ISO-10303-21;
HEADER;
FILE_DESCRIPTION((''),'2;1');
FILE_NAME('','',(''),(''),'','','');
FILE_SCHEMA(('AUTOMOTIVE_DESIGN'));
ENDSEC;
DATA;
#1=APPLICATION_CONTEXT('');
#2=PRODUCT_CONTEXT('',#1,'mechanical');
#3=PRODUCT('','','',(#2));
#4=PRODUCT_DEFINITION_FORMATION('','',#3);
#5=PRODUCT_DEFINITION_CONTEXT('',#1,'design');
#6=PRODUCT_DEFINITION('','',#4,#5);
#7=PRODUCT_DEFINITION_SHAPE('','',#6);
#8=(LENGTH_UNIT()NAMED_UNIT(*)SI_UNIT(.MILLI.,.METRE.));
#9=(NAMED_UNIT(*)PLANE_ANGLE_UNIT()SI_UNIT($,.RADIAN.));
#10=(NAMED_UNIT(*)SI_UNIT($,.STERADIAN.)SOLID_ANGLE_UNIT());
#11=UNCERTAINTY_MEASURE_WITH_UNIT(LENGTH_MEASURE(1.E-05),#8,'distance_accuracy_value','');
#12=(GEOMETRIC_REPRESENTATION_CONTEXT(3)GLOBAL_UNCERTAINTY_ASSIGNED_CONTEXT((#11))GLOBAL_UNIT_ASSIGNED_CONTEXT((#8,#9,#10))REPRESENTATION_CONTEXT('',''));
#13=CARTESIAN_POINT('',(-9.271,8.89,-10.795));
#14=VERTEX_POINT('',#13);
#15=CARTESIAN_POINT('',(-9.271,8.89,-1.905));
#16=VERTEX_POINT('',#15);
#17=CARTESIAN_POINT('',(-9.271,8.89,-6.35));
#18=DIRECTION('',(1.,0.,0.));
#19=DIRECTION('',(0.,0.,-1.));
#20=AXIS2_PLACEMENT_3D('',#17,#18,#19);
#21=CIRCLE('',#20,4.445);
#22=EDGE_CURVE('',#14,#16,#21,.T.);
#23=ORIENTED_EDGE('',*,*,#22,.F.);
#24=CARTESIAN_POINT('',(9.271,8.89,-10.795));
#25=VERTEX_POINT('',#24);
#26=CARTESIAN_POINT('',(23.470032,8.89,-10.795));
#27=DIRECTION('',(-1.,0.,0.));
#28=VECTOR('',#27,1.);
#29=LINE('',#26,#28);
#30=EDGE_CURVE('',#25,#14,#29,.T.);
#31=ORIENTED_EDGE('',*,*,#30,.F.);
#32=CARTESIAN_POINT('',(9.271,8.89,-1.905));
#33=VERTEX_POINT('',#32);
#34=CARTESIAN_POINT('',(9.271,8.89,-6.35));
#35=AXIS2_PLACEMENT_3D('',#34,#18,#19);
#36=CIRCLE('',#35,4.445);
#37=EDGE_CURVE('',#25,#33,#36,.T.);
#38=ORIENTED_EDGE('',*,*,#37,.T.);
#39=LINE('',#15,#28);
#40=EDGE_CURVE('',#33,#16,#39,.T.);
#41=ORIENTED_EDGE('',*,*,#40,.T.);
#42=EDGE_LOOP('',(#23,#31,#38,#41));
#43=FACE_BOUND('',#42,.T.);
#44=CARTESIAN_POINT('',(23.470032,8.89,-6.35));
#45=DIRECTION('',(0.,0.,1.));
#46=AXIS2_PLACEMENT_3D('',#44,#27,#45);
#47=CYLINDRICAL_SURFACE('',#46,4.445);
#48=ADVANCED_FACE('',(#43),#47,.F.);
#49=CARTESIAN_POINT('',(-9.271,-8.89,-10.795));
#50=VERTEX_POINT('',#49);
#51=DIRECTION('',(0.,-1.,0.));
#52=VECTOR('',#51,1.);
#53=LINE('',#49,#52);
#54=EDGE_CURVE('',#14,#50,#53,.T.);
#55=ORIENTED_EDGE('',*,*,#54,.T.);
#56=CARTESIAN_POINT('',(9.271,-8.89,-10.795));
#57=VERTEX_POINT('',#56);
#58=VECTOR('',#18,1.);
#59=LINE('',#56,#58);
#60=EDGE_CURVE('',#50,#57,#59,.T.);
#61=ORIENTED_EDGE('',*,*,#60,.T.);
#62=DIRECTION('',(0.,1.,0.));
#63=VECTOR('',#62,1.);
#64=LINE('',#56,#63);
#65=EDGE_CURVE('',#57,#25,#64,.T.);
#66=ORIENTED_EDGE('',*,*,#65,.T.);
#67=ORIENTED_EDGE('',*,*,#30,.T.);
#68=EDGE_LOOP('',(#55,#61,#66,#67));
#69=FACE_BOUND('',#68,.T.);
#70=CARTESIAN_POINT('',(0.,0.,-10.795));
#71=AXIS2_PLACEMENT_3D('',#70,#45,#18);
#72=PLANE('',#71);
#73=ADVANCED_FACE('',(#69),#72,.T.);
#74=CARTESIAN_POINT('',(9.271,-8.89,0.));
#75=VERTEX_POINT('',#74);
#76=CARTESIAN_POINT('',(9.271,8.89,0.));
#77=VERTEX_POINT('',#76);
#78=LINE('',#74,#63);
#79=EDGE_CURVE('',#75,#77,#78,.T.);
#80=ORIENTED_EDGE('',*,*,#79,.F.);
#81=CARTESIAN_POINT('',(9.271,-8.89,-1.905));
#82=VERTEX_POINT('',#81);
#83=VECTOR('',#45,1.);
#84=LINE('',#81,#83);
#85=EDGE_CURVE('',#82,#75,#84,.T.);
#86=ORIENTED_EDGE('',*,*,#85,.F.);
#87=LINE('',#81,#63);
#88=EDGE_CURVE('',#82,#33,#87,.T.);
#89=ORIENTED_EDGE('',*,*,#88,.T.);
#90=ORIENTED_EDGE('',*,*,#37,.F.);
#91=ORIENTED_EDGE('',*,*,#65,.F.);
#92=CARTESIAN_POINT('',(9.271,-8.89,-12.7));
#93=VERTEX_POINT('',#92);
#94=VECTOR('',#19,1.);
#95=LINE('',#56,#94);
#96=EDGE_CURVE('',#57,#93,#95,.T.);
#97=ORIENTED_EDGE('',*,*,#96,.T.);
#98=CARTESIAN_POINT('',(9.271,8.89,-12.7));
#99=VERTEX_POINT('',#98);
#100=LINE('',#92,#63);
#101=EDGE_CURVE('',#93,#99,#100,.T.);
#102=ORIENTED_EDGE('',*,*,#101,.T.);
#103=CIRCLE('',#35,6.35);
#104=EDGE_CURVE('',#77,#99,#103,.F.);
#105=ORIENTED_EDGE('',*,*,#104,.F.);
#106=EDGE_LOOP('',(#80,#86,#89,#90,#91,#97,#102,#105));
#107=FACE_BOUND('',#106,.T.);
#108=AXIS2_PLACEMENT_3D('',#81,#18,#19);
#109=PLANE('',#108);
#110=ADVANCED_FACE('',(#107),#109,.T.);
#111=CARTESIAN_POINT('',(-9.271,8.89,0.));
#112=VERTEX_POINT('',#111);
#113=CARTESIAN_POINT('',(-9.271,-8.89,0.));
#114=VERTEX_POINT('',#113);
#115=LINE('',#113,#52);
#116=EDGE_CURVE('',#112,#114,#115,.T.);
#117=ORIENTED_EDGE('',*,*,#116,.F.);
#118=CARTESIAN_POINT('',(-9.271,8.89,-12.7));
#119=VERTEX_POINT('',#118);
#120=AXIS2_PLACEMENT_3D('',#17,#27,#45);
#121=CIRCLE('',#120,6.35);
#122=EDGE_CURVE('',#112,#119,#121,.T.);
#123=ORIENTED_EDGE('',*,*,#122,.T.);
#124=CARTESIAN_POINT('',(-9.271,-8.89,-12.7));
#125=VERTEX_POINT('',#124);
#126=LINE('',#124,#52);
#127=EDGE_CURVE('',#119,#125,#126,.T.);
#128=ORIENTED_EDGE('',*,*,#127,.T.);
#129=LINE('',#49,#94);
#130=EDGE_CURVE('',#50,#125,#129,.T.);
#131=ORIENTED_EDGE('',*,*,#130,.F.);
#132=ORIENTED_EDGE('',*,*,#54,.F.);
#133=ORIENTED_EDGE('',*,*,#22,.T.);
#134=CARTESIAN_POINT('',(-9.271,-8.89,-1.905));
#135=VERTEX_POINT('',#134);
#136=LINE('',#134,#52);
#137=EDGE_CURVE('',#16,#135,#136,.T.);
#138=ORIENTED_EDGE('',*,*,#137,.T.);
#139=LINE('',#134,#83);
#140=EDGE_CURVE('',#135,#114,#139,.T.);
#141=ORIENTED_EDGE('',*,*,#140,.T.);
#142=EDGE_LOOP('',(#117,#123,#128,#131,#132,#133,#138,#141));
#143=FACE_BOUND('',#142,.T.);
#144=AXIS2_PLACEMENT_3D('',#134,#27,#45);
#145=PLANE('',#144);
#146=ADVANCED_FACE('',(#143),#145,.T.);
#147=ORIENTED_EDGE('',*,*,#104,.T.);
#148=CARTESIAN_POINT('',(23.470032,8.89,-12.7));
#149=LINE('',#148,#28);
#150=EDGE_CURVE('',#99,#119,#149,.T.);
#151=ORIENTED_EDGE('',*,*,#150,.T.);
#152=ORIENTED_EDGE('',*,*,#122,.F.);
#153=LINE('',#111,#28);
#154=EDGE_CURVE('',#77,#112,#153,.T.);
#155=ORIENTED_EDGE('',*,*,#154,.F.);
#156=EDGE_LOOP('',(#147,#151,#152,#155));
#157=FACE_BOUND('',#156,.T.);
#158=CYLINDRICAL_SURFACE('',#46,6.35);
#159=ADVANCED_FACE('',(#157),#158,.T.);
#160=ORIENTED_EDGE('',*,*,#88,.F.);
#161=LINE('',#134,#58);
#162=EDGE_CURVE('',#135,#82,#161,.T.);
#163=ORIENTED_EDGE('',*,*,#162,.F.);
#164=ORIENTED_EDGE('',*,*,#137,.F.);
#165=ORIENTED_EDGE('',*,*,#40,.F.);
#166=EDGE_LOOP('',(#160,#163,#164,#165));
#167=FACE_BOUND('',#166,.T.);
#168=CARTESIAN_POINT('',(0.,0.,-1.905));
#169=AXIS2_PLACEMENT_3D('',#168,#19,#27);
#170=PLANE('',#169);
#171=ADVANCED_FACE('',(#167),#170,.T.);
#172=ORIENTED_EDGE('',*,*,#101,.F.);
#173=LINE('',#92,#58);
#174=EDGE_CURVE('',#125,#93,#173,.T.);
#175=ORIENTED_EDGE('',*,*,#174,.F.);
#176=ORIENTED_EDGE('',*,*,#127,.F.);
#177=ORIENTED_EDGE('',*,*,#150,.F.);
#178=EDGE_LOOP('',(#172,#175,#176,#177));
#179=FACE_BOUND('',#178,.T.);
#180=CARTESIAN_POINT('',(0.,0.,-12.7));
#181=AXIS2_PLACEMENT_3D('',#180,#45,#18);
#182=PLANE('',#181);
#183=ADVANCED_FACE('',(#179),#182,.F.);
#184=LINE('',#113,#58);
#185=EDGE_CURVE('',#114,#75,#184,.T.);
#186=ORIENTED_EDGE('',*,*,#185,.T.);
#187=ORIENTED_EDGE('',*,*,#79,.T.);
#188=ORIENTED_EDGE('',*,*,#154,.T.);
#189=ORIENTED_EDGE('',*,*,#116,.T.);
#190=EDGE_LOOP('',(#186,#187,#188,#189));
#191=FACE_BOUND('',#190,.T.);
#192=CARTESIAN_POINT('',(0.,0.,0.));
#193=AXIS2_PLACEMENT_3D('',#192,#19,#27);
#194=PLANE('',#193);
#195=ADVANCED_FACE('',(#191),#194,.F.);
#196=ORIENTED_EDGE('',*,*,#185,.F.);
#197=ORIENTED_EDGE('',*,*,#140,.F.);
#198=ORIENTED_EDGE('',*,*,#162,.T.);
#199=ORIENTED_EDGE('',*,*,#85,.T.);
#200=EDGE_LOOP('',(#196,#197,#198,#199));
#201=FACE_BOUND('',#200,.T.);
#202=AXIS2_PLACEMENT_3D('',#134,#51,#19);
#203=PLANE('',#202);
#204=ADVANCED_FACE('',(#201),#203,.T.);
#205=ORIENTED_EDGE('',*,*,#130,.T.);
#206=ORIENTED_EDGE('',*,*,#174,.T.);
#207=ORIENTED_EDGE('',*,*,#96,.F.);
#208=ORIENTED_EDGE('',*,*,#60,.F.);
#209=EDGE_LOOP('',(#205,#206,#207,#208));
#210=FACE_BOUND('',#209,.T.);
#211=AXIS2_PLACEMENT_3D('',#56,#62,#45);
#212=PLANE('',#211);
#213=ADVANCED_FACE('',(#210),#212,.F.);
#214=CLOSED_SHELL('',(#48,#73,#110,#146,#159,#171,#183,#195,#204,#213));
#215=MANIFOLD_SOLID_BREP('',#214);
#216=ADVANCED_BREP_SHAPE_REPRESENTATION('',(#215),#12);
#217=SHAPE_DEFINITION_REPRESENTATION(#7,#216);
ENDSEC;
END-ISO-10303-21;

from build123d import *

# Parameters (mm, degrees)
SKETCH1_W           = 18.542
SKETCH1_H           = 17.78
BOSS_EXTRUDE4_DEPTH = 1.905
SKETCH4_W           = 18.542
SKETCH4_H           = 17.78
BOSS_EXTRUDE5_DEPTH = 1.905
BOSS_EXTRUDE6_DEPTH = 18.542


with BuildPart() as part:
    # Sketch1 → Boss-Extrude4 (new body)
    with BuildSketch(Plane.XY):
        Rectangle(SKETCH1_W, SKETCH1_H)
    extrude(amount=-BOSS_EXTRUDE4_DEPTH)



with BuildPart() as body_2:
    # Sketch4 → Boss-Extrude5 (new body)
    with BuildSketch(Plane.XY.offset(-12.7)):
        Rectangle(SKETCH4_W, SKETCH4_H)
    extrude(amount=BOSS_EXTRUDE5_DEPTH)


with BuildPart() as part_1:
    add(part.part)

    add(body_2.part)  # Boss-Extrude6 merges body 2
    # Sketch6 → Boss-Extrude6 (add)
    with BuildSketch(Plane.ZY.offset(9.271)):
        with BuildLine():
            Line((-12.7, 8.89), (-10.795, 8.89))
            ThreePointArc((-10.795, 8.89), (-6.35, 13.335), (-1.905, 8.89))
            Line((-1.905, 8.89), (0, 8.89))
            ThreePointArc((0, 8.89), (-6.35, 15.24), (-12.7, 8.89))
        make_face()
    extrude(amount=-BOSS_EXTRUDE6_DEPTH)


solid = part_1.part
